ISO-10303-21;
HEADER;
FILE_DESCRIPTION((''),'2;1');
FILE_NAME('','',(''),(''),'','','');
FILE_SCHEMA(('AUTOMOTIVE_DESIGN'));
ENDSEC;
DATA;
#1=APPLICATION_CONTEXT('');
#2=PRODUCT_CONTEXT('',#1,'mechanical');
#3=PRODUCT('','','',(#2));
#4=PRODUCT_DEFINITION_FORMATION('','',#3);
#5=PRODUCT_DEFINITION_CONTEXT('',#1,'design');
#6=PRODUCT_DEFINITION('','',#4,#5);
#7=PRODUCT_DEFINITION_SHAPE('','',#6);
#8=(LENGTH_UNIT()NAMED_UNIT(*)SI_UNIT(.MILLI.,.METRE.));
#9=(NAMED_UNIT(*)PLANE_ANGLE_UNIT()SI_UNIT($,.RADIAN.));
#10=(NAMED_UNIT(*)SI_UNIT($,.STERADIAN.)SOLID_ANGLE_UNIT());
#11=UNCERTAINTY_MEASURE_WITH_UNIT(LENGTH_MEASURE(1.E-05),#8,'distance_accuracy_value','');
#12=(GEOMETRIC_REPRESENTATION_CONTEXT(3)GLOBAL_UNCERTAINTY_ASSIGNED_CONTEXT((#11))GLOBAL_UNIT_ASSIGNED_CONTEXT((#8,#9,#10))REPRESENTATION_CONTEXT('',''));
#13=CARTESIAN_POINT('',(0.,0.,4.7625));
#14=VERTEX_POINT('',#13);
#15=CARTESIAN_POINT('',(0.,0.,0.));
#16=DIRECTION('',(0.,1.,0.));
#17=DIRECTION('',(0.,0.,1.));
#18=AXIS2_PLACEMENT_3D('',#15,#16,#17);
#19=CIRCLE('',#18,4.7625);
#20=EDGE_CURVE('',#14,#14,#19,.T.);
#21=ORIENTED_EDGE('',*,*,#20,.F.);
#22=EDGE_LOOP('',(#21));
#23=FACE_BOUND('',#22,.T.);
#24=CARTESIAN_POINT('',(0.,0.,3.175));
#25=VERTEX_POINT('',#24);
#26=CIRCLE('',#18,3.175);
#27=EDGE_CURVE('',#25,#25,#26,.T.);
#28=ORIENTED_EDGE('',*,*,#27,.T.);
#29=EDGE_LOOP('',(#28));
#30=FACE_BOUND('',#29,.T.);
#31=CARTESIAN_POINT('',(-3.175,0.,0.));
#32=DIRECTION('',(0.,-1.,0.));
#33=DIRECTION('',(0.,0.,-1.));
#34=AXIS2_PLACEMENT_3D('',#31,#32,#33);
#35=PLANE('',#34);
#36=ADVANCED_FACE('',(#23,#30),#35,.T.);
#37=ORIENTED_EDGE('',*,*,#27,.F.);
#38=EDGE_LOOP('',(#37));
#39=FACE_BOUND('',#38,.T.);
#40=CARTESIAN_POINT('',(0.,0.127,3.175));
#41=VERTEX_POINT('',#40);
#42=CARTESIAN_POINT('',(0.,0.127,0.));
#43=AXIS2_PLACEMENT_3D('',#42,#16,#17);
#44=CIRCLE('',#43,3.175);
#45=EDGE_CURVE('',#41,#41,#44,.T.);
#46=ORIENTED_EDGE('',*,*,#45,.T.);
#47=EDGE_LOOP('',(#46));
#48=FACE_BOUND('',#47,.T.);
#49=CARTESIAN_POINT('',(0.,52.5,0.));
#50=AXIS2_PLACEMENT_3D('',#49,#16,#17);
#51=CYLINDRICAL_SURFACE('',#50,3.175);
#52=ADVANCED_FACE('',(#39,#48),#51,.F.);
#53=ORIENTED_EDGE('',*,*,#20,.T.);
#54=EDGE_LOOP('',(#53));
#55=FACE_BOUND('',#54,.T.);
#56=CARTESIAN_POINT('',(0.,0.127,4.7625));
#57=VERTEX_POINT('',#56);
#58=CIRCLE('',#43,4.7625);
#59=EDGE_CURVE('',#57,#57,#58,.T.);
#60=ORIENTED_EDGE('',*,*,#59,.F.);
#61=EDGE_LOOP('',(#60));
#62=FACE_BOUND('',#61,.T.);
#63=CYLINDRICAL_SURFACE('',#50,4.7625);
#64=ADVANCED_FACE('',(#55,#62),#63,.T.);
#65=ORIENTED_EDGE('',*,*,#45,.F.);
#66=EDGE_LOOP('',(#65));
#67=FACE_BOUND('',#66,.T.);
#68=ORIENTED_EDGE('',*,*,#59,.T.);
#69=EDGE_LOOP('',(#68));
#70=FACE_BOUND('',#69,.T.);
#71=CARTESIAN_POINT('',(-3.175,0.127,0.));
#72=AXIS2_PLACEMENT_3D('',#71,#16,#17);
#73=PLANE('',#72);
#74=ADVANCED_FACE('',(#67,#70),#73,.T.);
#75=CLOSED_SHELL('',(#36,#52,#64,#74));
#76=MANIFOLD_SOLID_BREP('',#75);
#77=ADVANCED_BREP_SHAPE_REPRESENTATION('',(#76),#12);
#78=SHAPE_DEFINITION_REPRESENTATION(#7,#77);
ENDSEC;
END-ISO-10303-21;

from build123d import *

# Parameters (mm, degrees)
SKETCH1_W = 1.5875
SKETCH1_H = 0.127


with BuildPart() as part:
    # Sketch1 → Revolve1 (revolve)
    with BuildSketch(Plane.XY):
        with Locations((-3.96875, 0.0635)):
            Rectangle(SKETCH1_W, SKETCH1_H)
    revolve(axis=Axis((0, 52.5, 0), (0, -1, 0)))


solid = part.part
